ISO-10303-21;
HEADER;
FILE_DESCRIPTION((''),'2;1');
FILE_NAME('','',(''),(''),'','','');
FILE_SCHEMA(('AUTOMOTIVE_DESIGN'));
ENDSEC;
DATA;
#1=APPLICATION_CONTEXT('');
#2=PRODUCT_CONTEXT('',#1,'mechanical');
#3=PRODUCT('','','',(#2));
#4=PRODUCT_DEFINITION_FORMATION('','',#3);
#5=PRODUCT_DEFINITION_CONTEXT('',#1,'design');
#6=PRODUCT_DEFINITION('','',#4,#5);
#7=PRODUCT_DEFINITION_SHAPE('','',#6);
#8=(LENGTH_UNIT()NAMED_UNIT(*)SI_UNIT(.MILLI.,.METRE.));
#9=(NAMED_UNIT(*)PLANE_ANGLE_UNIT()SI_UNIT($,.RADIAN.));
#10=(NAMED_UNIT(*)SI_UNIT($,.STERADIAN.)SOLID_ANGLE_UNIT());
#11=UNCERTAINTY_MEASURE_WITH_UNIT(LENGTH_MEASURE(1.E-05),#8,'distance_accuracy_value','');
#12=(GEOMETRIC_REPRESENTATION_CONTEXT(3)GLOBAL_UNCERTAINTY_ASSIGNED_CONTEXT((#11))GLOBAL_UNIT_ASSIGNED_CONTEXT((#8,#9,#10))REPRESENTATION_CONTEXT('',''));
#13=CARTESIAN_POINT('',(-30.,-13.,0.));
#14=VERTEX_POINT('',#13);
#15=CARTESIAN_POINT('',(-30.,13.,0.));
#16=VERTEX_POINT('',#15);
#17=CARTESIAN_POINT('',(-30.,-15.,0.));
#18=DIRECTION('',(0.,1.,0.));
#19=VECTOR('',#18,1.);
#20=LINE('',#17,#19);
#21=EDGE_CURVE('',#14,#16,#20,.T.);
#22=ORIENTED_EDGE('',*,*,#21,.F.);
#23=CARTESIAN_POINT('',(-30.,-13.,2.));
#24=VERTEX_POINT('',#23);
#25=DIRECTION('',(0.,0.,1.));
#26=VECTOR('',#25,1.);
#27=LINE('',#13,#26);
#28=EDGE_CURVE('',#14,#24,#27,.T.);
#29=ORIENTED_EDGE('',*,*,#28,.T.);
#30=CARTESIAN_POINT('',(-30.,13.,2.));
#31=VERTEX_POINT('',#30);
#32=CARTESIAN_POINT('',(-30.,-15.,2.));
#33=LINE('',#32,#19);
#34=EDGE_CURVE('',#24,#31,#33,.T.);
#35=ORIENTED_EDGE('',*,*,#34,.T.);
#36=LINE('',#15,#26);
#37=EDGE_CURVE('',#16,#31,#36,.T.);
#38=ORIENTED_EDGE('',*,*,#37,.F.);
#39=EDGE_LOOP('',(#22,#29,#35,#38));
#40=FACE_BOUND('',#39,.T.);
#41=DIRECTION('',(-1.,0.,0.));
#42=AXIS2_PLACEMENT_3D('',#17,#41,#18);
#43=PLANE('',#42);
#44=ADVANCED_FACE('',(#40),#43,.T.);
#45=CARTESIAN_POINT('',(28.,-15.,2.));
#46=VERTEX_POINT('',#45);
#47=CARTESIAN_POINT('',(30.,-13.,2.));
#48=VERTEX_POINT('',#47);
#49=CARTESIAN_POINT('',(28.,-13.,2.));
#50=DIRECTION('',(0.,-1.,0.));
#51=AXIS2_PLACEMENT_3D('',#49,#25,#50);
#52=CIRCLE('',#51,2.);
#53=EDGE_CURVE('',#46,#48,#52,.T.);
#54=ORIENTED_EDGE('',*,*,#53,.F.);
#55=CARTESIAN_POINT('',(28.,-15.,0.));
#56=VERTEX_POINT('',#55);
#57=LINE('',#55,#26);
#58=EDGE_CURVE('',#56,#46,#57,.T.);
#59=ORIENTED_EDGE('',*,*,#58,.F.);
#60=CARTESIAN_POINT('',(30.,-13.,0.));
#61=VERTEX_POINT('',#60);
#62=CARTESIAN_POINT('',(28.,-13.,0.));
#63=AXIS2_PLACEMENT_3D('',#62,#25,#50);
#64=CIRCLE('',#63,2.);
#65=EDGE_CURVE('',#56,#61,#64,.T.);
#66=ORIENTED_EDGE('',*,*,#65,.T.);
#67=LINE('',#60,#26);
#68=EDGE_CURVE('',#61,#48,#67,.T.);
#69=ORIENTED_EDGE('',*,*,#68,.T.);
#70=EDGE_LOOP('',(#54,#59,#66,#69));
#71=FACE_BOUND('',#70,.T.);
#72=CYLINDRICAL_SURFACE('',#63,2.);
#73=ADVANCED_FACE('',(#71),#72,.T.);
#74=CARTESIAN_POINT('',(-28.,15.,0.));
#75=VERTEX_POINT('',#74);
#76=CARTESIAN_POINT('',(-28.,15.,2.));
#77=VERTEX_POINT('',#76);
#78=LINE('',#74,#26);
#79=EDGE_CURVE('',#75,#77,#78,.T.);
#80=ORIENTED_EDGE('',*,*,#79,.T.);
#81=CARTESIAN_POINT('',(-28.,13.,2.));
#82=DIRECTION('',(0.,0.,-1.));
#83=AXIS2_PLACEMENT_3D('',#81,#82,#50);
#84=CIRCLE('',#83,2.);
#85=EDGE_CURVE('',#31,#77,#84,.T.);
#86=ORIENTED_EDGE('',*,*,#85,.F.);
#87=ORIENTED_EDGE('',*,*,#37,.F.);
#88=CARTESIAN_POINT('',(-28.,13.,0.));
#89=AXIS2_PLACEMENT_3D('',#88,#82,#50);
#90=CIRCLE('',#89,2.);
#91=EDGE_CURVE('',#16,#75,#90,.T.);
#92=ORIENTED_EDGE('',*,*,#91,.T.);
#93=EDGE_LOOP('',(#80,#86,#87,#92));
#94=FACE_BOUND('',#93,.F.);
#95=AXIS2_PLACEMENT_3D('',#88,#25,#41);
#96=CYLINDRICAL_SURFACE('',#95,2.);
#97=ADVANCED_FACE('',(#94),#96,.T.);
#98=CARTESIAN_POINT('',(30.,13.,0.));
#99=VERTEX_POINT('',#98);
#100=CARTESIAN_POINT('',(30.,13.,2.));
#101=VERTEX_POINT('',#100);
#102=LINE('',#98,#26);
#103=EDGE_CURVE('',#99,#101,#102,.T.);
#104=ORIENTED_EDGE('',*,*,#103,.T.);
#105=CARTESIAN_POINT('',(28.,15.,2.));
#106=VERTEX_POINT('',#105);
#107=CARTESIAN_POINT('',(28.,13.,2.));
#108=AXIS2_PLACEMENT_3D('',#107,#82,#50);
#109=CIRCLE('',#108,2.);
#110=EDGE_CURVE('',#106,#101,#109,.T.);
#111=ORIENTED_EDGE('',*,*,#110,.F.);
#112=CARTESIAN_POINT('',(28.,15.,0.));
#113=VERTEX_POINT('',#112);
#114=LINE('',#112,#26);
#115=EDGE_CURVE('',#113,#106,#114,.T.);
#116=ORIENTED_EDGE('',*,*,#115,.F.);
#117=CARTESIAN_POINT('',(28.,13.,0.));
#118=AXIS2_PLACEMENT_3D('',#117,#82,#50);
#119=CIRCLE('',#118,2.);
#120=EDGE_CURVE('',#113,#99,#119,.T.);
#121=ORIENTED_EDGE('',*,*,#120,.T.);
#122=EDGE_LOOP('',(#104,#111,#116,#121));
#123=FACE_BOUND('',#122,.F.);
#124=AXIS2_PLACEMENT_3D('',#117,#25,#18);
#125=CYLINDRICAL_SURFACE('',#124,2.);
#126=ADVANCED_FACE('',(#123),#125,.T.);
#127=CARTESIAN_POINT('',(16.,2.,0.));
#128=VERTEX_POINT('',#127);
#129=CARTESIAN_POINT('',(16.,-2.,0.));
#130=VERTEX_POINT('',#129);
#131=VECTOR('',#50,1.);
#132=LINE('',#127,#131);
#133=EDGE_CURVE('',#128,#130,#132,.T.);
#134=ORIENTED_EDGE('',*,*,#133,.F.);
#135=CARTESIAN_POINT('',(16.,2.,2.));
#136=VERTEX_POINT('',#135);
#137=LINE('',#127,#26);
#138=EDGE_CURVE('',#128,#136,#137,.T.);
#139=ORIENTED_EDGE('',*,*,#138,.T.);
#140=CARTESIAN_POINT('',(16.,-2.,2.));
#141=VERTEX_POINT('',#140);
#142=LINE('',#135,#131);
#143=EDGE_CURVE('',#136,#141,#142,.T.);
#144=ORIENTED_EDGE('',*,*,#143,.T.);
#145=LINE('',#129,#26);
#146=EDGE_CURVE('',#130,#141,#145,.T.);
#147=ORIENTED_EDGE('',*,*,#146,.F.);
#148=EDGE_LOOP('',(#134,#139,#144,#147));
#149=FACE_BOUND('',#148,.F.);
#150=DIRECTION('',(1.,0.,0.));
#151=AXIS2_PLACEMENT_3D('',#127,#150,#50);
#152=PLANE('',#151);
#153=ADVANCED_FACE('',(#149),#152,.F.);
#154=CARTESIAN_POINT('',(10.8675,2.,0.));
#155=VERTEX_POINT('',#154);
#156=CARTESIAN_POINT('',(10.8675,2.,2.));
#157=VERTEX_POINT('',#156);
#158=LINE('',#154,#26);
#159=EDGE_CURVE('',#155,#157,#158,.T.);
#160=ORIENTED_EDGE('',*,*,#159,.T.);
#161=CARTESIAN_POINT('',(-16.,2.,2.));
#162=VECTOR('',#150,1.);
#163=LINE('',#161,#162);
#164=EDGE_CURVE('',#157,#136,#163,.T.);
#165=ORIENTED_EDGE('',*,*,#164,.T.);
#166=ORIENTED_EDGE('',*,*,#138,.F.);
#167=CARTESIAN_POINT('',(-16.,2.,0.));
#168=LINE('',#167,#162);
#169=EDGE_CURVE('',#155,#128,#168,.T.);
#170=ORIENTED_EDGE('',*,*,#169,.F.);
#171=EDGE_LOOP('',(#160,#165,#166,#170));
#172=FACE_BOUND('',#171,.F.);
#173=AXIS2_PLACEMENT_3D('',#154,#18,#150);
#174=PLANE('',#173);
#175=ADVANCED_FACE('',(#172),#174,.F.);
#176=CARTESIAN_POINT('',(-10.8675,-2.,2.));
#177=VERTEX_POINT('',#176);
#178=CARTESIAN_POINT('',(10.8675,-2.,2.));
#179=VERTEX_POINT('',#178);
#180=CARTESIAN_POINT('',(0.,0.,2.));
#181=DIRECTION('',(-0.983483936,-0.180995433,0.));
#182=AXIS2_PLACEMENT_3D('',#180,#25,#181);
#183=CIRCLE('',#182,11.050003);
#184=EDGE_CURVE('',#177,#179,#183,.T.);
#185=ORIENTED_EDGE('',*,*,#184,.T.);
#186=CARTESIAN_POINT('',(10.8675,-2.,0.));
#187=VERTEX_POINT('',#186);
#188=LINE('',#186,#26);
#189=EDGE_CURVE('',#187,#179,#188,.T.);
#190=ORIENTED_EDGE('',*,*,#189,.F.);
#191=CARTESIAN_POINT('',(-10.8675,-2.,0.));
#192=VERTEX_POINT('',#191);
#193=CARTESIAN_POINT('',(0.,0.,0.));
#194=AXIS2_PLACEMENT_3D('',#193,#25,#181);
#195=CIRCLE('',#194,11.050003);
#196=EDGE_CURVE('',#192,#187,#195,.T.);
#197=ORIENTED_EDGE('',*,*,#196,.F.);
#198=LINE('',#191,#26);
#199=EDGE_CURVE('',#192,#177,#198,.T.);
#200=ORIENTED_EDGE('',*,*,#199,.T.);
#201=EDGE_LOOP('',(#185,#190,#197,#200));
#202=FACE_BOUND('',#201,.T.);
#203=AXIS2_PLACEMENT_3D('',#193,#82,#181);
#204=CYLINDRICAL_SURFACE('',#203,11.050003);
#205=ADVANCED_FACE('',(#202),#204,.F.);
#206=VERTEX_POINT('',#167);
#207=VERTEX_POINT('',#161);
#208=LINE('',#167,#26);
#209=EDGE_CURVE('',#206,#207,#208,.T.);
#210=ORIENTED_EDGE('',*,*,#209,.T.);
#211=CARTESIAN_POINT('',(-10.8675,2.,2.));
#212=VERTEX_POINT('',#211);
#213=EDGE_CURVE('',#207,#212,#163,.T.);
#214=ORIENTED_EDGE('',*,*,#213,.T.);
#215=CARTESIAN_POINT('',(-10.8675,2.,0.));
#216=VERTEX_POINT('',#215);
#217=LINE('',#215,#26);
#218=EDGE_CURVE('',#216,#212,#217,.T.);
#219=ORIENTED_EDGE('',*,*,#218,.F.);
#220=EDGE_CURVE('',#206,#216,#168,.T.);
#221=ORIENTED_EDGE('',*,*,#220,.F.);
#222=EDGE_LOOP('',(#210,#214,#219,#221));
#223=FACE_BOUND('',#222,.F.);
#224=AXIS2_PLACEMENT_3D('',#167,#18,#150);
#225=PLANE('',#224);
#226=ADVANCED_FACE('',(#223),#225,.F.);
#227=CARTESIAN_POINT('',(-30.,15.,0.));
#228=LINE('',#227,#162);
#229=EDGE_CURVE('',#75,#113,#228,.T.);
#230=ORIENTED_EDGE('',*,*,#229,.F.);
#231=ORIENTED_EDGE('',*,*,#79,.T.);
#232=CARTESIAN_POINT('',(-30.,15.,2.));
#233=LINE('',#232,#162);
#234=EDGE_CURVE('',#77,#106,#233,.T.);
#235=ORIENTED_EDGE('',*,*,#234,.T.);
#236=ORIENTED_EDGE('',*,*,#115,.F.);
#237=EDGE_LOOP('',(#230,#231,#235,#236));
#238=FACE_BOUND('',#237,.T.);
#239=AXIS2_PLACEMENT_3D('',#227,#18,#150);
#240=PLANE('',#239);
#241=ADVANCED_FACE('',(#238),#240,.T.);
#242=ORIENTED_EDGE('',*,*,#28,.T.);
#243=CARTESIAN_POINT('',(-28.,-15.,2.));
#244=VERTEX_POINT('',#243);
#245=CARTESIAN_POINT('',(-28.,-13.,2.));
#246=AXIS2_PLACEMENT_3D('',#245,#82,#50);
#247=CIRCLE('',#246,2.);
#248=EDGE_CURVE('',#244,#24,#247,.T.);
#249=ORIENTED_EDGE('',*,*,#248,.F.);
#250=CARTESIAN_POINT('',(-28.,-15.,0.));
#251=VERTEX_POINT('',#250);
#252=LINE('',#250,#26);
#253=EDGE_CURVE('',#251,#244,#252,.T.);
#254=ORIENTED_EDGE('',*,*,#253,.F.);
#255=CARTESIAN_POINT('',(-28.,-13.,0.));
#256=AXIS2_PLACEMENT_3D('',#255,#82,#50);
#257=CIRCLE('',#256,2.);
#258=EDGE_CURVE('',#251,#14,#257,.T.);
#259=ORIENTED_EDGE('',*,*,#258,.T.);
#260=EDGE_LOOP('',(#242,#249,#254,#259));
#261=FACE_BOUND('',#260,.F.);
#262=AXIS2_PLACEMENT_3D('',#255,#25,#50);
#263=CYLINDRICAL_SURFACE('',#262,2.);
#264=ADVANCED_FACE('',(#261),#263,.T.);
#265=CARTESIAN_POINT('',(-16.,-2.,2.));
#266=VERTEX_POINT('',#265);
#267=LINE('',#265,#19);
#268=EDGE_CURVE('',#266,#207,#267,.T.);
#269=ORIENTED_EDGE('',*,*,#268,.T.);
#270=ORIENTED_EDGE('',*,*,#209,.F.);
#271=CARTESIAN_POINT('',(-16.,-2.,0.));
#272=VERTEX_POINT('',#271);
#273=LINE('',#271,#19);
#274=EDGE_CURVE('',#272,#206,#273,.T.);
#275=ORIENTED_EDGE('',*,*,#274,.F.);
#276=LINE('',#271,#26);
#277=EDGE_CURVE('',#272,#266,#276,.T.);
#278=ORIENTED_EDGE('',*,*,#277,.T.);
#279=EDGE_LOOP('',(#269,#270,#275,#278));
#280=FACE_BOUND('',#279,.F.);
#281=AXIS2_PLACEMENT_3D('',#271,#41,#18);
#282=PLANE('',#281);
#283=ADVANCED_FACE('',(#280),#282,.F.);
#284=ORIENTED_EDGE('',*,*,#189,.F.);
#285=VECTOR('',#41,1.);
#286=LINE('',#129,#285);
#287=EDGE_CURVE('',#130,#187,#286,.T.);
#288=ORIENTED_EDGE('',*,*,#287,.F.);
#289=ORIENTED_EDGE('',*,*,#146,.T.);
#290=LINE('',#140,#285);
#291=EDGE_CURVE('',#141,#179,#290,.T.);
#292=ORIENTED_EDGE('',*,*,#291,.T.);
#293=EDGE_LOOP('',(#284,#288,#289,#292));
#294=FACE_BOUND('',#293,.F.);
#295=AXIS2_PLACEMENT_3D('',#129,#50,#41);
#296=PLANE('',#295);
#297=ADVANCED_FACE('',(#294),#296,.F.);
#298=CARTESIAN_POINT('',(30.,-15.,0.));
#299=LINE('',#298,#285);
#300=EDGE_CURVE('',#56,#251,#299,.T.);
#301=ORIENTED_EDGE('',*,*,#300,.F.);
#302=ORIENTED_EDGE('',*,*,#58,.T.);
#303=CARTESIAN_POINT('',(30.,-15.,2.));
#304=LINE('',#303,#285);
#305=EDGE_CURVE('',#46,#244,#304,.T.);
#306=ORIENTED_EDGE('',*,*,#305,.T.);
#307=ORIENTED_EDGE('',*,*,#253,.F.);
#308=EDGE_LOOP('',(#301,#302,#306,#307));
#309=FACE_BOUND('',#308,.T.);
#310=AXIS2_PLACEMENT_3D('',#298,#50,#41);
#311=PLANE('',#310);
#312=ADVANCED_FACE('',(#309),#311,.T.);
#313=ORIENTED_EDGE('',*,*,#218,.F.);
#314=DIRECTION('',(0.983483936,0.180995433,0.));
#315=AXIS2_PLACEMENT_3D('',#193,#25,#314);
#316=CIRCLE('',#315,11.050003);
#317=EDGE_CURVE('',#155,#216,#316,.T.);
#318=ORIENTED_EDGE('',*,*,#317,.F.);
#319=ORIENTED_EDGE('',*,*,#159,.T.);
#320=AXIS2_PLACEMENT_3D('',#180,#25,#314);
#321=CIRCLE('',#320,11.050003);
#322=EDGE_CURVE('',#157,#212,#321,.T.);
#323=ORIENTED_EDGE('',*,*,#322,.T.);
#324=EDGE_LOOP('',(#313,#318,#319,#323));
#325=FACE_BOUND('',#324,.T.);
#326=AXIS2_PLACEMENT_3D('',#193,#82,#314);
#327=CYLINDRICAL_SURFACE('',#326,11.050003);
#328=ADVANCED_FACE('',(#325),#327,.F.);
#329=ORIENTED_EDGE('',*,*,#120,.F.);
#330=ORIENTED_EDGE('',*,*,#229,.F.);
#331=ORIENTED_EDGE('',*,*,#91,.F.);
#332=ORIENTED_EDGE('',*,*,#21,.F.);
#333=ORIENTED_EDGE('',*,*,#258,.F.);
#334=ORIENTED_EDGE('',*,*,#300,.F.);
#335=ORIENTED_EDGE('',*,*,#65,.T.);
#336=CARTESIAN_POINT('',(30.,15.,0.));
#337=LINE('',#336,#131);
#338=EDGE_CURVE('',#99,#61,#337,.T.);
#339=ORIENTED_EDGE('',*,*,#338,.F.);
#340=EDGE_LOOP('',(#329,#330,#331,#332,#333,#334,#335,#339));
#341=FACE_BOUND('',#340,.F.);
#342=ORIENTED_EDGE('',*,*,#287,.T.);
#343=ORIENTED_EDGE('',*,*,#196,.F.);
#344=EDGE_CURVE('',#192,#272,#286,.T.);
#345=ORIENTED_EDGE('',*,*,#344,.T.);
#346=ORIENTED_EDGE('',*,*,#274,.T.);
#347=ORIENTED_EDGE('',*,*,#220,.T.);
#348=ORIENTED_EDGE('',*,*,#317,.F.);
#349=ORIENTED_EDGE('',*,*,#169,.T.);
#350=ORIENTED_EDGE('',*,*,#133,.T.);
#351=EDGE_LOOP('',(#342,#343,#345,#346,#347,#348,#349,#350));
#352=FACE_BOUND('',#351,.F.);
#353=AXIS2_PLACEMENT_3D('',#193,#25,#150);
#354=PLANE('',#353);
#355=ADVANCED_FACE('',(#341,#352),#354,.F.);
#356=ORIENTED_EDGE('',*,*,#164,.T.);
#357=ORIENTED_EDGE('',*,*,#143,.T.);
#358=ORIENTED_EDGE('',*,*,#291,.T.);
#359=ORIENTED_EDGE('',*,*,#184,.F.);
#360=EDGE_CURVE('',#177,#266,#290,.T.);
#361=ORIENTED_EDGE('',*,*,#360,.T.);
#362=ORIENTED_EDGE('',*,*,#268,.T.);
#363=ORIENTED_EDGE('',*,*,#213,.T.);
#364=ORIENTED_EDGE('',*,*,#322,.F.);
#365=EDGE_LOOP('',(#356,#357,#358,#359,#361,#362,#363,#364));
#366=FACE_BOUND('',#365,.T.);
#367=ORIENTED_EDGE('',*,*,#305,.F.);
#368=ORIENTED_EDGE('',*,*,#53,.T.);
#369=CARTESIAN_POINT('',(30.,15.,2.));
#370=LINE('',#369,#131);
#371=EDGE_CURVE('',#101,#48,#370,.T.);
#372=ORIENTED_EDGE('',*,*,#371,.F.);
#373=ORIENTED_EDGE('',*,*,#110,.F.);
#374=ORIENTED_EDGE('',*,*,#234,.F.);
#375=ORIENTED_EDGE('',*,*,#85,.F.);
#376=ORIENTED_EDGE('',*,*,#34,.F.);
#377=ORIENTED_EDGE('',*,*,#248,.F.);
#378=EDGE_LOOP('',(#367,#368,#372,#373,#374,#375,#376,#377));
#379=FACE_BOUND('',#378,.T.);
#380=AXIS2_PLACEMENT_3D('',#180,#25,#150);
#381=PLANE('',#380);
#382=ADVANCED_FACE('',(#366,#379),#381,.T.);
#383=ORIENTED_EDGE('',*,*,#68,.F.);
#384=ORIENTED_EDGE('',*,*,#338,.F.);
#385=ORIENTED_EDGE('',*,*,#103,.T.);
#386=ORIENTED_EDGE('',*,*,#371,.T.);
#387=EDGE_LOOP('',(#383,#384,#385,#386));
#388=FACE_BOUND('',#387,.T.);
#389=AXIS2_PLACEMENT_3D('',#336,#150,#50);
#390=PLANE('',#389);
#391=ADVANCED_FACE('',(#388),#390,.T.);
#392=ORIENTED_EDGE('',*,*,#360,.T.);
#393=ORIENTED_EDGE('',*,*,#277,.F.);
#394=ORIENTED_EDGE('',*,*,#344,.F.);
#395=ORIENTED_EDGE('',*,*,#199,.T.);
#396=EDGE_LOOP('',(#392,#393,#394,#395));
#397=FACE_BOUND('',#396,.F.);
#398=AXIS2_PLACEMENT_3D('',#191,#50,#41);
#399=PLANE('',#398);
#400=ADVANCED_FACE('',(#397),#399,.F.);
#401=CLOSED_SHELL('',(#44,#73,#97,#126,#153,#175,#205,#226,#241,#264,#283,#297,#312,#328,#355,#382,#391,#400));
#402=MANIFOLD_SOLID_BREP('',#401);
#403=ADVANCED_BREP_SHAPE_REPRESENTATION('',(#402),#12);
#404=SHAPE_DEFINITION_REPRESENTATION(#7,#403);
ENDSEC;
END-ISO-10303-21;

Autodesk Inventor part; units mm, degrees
ref_plane "YZ Plane" through (0, 0, 0) normal (1, 0, 0) x (0, 1, 0)
ref_plane "XZ Plane" through (0, 0, 0) normal (0, 1, 0) x (-1, 0, 0)
ref_plane "XY Plane" through (0, 0, 0) normal (0, 0, 1) x (1, 0, 0)
sketch "Sketch1" plane through (0, 0, 0) normal (0, 0, 1) x (1, 0, 0)
  arc A0 (-10.8675, 2) -> (-10.8675, -2) centre (0, 0) ccw
  line L0 (16, -2) -> (-16, -2)
  line L1 (-16, -2) -> (-16, 2)
  line L2 (-16, 2) -> (16, 2)
  line L3 (16, 2) -> (16, -2)
  line L4 (16, -2) -> (-16, 2) construction
  line L5 (-16, -2) -> (16, 2) construction
  arc A1 (10.8675, 2) -> (-10.8675, 2) centre (0, 0) ccw
  arc A2 (-10.8675, -2) -> (10.8675, -2) centre (0, 0) ccw
  line L6 (30, -15) -> (-30, -15)
  line L7 (-30, -15) -> (-30, 15)
  line L8 (-30, 15) -> (30, 15)
  line L9 (30, 15) -> (30, -15)
  line L10 (30, -15) -> (-30, 15) construction
  line L11 (-30, -15) -> (30, 15) construction
  arc A3 (10.8675, -2) -> (10.8675, 2) centre (0, 0) ccw
  dimension "d0" = 22.1
  dimension "d1" = 32
  dimension "d2" = 4
  dimension "d3" = 60
  dimension "d4" = 30
extrude "Extrusion1" add sketch "Sketch1" along normal blind 2
fillet "Fillet1" radius 2 4 edges at (30, 15, 1) (-30, 15, 1) (30, -15, 1) (-30, -15, 1)
properties part number "HeatSink-sheet-H2mm"
